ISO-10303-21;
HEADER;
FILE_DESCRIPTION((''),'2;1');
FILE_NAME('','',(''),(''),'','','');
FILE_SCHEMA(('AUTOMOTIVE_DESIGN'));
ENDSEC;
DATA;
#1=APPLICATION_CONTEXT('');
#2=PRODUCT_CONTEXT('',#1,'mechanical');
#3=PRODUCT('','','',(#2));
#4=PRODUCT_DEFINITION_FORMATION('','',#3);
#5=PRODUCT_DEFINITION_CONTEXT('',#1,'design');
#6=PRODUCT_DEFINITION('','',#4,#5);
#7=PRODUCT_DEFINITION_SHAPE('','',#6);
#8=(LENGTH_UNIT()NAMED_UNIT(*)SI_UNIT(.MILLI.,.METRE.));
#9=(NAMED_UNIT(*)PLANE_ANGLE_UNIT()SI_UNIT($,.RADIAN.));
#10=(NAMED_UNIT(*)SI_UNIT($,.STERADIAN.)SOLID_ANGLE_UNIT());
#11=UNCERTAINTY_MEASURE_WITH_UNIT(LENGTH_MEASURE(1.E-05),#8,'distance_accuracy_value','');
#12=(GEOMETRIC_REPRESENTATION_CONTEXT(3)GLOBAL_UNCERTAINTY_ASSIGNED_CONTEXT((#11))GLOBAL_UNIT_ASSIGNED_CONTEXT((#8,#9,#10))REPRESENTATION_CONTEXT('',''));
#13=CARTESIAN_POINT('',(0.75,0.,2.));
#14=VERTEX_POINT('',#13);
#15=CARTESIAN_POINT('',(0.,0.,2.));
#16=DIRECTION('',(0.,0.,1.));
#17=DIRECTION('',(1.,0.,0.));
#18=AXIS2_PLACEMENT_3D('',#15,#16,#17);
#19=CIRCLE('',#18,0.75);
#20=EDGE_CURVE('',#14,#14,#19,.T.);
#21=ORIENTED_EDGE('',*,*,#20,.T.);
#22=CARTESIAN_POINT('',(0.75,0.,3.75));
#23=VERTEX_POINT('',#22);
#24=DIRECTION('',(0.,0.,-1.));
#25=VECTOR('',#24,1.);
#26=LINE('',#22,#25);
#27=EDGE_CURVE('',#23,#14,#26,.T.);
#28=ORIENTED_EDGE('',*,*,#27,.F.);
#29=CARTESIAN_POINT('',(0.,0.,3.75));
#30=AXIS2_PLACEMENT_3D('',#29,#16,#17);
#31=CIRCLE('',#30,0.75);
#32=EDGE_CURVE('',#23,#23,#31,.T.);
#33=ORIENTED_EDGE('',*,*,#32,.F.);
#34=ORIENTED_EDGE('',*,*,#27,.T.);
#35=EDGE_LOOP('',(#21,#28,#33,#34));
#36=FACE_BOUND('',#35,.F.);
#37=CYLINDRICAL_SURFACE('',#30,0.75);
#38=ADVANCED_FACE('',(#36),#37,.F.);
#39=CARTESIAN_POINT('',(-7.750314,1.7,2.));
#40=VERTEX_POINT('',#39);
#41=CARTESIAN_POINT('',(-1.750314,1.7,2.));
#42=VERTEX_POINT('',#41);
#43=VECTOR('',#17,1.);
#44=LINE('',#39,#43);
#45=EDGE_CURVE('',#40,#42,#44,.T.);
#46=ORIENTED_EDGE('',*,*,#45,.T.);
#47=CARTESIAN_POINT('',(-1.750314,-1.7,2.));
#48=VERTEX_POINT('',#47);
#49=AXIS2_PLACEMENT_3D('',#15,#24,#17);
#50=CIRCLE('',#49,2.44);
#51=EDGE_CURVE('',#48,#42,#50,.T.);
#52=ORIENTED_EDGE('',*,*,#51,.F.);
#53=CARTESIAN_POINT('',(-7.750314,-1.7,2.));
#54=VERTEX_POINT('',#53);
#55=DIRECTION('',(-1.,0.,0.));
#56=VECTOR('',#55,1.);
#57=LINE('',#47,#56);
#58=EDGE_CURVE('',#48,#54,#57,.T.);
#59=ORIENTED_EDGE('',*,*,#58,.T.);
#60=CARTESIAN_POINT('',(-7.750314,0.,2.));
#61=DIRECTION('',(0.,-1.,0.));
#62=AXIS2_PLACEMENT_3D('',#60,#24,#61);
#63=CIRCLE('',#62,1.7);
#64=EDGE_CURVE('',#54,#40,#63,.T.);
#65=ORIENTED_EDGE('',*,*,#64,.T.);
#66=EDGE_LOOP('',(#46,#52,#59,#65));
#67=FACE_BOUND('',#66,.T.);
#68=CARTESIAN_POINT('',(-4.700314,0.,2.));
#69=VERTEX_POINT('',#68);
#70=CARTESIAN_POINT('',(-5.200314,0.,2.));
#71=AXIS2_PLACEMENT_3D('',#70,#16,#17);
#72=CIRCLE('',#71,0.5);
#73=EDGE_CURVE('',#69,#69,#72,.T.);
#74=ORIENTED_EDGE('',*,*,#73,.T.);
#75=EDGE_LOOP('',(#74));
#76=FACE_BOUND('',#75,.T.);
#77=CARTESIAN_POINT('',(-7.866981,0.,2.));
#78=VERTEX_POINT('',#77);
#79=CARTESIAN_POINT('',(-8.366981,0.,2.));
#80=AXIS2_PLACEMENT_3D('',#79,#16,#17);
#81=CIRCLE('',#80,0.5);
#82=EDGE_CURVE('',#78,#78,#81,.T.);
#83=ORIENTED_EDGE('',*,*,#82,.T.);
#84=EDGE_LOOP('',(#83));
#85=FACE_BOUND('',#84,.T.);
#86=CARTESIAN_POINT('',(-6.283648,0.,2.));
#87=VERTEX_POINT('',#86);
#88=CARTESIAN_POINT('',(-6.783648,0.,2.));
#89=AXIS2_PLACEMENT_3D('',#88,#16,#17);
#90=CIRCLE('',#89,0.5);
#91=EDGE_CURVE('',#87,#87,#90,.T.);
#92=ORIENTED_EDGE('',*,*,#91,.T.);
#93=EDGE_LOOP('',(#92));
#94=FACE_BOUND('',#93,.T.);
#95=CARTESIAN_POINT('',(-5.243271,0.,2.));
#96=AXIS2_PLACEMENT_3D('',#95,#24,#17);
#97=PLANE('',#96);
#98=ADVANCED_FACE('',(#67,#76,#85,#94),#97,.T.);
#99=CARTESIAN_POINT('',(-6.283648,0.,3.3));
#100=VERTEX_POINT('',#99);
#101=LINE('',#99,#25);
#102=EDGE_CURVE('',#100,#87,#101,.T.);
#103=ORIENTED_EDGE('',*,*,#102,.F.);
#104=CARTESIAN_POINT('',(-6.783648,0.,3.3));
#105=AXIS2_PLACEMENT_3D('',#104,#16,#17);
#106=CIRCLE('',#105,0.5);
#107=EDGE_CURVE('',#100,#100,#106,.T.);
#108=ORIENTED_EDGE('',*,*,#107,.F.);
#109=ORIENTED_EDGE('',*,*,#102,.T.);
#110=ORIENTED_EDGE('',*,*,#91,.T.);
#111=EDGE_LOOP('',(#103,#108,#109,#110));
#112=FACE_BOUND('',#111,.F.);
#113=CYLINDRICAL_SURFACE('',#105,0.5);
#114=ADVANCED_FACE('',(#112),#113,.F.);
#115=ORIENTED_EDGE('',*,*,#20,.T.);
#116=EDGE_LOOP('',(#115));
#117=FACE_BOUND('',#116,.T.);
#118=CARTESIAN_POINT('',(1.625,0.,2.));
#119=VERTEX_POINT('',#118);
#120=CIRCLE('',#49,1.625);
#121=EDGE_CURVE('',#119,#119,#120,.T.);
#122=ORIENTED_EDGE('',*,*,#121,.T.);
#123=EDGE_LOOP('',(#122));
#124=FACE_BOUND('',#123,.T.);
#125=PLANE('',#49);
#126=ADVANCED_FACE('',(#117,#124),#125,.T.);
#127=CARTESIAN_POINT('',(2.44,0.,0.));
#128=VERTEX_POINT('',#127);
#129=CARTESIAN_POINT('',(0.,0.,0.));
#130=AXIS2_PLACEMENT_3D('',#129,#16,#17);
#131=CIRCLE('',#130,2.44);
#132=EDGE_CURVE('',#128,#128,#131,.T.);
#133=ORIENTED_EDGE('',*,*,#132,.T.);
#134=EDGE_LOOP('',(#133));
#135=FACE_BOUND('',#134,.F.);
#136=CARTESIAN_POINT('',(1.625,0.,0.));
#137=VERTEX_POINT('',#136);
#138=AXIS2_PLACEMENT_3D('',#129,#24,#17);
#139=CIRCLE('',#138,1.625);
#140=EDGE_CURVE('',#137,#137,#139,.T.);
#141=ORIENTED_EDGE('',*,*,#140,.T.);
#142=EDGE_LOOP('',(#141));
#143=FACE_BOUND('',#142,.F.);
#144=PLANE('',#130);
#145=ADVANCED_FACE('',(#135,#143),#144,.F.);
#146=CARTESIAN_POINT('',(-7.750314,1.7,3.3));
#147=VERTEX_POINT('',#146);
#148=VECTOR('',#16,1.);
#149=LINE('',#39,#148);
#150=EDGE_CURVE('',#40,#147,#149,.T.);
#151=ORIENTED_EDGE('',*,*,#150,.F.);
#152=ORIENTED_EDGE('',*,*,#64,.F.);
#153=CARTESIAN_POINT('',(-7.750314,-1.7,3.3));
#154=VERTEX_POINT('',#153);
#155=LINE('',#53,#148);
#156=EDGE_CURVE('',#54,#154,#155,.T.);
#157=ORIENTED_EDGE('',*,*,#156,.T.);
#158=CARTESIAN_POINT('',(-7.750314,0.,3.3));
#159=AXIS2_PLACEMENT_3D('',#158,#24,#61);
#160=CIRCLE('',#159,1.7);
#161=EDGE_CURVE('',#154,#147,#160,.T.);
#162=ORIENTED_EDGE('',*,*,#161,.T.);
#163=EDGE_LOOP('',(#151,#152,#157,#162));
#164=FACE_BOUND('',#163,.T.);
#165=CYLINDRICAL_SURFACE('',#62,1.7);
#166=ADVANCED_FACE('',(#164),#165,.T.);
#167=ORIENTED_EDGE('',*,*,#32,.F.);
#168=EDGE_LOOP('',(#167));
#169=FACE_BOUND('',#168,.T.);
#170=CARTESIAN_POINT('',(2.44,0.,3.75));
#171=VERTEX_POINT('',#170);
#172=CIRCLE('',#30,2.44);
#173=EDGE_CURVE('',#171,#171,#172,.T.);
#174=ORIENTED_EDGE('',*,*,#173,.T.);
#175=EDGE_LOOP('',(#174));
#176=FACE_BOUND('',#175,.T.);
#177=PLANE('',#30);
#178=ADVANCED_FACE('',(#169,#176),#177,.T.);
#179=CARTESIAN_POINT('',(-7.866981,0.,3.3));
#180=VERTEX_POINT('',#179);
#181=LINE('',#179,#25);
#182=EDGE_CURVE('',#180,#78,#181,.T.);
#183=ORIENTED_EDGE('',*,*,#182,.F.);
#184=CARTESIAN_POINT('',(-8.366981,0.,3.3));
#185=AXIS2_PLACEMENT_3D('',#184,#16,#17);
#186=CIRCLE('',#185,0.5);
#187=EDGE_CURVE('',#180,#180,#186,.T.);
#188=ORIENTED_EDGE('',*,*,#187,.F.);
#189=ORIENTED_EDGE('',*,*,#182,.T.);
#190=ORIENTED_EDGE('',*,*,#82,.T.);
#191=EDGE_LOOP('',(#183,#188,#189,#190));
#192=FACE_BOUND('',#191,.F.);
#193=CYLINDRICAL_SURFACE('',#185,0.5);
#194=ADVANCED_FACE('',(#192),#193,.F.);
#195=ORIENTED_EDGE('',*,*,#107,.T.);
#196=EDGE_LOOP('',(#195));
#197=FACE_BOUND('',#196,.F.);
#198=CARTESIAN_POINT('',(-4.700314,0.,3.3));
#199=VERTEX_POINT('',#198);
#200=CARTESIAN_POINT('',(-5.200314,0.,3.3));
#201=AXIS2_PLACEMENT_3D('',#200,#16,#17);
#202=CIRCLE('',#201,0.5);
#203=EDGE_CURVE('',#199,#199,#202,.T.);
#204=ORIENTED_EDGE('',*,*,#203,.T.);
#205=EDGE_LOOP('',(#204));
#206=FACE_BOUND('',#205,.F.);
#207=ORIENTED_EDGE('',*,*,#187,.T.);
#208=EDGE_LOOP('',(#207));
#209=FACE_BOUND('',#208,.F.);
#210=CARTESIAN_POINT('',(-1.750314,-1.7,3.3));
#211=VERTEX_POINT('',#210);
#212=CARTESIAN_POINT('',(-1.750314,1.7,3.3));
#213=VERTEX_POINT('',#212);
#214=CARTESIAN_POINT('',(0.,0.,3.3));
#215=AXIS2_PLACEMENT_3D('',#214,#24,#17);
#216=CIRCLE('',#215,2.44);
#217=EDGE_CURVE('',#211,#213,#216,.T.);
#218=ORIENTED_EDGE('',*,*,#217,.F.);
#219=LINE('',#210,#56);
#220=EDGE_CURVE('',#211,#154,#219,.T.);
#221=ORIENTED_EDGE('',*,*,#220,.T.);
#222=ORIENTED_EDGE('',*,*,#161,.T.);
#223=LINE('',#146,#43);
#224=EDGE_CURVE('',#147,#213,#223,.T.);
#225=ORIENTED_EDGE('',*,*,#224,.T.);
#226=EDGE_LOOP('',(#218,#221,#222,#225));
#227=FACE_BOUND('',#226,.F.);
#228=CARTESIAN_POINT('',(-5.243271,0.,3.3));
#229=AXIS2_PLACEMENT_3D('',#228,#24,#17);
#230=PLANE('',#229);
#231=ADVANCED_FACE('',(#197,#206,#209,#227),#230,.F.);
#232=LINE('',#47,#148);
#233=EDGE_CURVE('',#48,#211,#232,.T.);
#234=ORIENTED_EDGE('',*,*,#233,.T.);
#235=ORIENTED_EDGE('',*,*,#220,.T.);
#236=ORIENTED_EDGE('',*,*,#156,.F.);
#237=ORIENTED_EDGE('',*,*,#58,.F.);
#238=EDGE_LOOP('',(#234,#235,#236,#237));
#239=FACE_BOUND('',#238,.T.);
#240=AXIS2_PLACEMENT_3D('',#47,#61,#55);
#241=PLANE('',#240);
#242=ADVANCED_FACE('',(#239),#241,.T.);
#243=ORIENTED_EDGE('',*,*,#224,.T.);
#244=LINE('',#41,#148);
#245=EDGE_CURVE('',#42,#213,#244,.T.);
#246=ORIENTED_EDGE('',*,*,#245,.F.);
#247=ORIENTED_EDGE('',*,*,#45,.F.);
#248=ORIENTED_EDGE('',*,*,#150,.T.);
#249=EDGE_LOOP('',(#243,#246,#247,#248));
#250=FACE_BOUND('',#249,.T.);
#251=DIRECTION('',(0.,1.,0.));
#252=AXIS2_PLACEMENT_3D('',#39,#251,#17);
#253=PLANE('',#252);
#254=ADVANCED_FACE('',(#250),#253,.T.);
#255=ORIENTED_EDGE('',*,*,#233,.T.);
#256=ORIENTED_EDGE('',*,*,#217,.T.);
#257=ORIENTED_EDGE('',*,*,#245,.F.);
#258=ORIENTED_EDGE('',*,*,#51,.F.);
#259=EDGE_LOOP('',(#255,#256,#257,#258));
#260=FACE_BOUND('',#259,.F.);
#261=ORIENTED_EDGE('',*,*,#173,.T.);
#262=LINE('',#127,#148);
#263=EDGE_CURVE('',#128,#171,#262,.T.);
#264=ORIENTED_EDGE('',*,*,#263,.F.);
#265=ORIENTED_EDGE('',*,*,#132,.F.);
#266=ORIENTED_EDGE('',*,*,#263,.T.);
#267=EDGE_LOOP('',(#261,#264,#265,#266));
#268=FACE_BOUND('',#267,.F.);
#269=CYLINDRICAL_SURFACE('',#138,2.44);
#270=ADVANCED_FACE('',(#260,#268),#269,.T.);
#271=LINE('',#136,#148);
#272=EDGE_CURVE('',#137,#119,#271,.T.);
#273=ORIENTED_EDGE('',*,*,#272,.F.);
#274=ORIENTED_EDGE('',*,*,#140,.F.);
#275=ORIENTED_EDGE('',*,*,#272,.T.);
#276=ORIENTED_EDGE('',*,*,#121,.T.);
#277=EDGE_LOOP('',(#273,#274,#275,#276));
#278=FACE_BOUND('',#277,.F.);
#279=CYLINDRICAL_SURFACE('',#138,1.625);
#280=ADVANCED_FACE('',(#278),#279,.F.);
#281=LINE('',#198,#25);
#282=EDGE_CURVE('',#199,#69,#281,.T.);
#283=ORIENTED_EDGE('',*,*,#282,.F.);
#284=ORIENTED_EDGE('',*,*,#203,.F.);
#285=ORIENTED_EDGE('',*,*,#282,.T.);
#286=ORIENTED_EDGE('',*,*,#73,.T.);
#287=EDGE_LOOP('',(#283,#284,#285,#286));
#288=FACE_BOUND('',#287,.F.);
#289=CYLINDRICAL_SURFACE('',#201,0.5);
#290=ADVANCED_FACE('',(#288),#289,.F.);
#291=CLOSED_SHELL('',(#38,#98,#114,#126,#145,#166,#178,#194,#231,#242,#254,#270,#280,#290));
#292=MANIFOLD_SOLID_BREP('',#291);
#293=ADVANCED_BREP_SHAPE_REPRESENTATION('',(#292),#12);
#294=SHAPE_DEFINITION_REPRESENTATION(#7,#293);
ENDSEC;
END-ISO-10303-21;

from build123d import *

# Parameters (mm, degrees)
F0_R      = 2.44
F1_DEPTH  = 3.75
F2_R      = 1.625
F3_DEPTH  = 2
F6_DEPTH  = 1.3
F7_R      = 0.75
F8_DEPTH  = 25
F9_R      = 0.5
F10_DEPTH = 1.3


with BuildPart() as f1:
    # F0 (on Top) → F1 (new body)
    with BuildSketch(Plane.XY):
        Circle(F0_R)
    extrude(amount=F1_DEPTH)

    # F2 (on face) → F3 (cut)
    with BuildSketch(Plane(origin=(0, 0, 0), x_dir=(1, 0, 0), z_dir=(0, 0, -1))):
        Circle(F2_R)
    extrude(amount=-F3_DEPTH, mode=Mode.SUBTRACT)

    # F5 (on offset) → F6 (join)
    with BuildSketch(Plane(origin=(0, 0, 2), x_dir=(1, 0, 0), z_dir=(0, 0, -1))):
        with BuildLine():
            Line((-7.750314, -1.7), (-1.750314, -1.7))
            Line((-1.750314, -1.7), (-1.750314, 1.7))
            Line((-1.750314, 1.7), (-7.750314, 1.7))
            ThreePointArc((-7.750314, 1.7), (-9.450314, 0), (-7.750314, -1.7))
        make_face()
    extrude(amount=-F6_DEPTH)

    # F7 (on face) → F8 (cut)
    with BuildSketch(Plane.XY.offset(3.75)):
        Circle(F7_R)
    extrude(amount=-F8_DEPTH, mode=Mode.SUBTRACT)

    # F9 (on face) → F10 (cut, through all)
    with BuildSketch(Plane.XY.offset(3.3)):
        with Locations((-8.366981, 0)):
            Circle(F9_R)
        with Locations((-6.783648, 0)):
            Circle(F9_R)
        with Locations((-5.200314, 0)):
            Circle(F9_R)
    extrude(amount=-F10_DEPTH, mode=Mode.SUBTRACT)


solid = f1.part
